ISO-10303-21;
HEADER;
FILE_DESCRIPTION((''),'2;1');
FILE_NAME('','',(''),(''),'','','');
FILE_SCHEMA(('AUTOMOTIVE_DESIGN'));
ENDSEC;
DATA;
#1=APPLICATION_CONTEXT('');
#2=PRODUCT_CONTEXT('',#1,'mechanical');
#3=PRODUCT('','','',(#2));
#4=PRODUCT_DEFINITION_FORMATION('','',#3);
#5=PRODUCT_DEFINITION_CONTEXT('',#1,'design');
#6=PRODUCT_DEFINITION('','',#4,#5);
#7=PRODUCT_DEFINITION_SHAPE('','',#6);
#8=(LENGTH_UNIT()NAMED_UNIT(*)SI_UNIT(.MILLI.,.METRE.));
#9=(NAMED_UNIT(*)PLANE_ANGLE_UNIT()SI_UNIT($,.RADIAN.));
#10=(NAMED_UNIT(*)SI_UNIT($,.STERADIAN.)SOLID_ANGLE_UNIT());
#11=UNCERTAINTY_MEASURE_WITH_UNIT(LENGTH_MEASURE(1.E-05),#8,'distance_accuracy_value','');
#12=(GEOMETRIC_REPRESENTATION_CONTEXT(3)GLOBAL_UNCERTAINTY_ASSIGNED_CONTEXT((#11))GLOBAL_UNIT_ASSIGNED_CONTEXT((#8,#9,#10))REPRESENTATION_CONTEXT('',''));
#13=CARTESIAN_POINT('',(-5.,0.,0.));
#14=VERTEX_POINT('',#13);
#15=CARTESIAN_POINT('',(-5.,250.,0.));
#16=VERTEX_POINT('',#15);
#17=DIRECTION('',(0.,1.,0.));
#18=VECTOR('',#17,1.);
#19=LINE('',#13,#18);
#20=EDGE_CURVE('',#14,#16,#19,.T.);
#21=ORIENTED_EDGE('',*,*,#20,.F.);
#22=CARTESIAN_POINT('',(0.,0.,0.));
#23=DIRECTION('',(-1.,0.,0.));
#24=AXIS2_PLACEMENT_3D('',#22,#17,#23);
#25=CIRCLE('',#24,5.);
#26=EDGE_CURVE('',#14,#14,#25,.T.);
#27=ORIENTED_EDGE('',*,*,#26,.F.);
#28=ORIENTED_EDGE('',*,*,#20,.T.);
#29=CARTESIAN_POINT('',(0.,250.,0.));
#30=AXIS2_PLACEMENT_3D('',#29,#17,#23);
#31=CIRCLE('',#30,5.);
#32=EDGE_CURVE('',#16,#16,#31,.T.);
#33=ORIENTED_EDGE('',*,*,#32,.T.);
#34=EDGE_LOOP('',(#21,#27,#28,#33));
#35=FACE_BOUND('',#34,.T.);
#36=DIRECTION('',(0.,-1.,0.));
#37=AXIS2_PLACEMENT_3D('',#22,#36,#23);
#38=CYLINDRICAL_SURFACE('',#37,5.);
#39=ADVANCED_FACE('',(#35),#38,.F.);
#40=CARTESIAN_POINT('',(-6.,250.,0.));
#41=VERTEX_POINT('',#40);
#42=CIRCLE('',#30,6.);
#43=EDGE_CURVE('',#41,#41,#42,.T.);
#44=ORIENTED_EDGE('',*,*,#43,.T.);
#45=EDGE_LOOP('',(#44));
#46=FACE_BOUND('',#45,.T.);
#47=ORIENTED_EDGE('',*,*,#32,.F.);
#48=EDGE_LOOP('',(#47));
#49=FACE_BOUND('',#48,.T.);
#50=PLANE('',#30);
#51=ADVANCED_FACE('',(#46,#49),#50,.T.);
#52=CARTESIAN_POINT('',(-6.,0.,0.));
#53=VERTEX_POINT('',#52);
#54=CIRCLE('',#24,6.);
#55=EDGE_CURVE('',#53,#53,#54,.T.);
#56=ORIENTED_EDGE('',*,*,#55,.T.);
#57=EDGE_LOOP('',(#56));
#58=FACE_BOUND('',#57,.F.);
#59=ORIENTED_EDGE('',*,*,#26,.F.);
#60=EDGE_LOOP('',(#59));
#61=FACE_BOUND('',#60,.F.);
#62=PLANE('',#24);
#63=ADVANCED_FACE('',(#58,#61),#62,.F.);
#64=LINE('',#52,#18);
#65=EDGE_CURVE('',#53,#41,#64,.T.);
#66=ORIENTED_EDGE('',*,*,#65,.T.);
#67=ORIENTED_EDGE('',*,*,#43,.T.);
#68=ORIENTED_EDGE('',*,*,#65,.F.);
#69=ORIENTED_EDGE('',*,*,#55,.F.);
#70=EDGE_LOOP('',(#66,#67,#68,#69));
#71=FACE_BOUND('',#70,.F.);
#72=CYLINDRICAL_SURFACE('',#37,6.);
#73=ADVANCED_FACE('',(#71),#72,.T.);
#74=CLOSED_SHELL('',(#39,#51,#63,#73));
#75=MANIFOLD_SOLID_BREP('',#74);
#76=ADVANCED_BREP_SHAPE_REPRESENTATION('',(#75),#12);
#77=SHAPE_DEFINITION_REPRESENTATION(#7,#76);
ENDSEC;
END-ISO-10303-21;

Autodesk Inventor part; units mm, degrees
ref_plane "XZ Plane" through (0, 0, 0) normal (0, 1, 0) x (-1, 0, 0)
sketch "Sketch2" plane through (0, 0, 0) normal (0, 1, 0) x (-1, 0, 0)
  circle A0 centre (0, 0) radius 5
  circle A1 centre (0, 0) radius 6
  dimension "d6" = 10
  dimension "d7" = 12
extrude "Extrusion2" add sketch "Sketch2" along normal blind 250
properties part number "Wing_arm_2"
